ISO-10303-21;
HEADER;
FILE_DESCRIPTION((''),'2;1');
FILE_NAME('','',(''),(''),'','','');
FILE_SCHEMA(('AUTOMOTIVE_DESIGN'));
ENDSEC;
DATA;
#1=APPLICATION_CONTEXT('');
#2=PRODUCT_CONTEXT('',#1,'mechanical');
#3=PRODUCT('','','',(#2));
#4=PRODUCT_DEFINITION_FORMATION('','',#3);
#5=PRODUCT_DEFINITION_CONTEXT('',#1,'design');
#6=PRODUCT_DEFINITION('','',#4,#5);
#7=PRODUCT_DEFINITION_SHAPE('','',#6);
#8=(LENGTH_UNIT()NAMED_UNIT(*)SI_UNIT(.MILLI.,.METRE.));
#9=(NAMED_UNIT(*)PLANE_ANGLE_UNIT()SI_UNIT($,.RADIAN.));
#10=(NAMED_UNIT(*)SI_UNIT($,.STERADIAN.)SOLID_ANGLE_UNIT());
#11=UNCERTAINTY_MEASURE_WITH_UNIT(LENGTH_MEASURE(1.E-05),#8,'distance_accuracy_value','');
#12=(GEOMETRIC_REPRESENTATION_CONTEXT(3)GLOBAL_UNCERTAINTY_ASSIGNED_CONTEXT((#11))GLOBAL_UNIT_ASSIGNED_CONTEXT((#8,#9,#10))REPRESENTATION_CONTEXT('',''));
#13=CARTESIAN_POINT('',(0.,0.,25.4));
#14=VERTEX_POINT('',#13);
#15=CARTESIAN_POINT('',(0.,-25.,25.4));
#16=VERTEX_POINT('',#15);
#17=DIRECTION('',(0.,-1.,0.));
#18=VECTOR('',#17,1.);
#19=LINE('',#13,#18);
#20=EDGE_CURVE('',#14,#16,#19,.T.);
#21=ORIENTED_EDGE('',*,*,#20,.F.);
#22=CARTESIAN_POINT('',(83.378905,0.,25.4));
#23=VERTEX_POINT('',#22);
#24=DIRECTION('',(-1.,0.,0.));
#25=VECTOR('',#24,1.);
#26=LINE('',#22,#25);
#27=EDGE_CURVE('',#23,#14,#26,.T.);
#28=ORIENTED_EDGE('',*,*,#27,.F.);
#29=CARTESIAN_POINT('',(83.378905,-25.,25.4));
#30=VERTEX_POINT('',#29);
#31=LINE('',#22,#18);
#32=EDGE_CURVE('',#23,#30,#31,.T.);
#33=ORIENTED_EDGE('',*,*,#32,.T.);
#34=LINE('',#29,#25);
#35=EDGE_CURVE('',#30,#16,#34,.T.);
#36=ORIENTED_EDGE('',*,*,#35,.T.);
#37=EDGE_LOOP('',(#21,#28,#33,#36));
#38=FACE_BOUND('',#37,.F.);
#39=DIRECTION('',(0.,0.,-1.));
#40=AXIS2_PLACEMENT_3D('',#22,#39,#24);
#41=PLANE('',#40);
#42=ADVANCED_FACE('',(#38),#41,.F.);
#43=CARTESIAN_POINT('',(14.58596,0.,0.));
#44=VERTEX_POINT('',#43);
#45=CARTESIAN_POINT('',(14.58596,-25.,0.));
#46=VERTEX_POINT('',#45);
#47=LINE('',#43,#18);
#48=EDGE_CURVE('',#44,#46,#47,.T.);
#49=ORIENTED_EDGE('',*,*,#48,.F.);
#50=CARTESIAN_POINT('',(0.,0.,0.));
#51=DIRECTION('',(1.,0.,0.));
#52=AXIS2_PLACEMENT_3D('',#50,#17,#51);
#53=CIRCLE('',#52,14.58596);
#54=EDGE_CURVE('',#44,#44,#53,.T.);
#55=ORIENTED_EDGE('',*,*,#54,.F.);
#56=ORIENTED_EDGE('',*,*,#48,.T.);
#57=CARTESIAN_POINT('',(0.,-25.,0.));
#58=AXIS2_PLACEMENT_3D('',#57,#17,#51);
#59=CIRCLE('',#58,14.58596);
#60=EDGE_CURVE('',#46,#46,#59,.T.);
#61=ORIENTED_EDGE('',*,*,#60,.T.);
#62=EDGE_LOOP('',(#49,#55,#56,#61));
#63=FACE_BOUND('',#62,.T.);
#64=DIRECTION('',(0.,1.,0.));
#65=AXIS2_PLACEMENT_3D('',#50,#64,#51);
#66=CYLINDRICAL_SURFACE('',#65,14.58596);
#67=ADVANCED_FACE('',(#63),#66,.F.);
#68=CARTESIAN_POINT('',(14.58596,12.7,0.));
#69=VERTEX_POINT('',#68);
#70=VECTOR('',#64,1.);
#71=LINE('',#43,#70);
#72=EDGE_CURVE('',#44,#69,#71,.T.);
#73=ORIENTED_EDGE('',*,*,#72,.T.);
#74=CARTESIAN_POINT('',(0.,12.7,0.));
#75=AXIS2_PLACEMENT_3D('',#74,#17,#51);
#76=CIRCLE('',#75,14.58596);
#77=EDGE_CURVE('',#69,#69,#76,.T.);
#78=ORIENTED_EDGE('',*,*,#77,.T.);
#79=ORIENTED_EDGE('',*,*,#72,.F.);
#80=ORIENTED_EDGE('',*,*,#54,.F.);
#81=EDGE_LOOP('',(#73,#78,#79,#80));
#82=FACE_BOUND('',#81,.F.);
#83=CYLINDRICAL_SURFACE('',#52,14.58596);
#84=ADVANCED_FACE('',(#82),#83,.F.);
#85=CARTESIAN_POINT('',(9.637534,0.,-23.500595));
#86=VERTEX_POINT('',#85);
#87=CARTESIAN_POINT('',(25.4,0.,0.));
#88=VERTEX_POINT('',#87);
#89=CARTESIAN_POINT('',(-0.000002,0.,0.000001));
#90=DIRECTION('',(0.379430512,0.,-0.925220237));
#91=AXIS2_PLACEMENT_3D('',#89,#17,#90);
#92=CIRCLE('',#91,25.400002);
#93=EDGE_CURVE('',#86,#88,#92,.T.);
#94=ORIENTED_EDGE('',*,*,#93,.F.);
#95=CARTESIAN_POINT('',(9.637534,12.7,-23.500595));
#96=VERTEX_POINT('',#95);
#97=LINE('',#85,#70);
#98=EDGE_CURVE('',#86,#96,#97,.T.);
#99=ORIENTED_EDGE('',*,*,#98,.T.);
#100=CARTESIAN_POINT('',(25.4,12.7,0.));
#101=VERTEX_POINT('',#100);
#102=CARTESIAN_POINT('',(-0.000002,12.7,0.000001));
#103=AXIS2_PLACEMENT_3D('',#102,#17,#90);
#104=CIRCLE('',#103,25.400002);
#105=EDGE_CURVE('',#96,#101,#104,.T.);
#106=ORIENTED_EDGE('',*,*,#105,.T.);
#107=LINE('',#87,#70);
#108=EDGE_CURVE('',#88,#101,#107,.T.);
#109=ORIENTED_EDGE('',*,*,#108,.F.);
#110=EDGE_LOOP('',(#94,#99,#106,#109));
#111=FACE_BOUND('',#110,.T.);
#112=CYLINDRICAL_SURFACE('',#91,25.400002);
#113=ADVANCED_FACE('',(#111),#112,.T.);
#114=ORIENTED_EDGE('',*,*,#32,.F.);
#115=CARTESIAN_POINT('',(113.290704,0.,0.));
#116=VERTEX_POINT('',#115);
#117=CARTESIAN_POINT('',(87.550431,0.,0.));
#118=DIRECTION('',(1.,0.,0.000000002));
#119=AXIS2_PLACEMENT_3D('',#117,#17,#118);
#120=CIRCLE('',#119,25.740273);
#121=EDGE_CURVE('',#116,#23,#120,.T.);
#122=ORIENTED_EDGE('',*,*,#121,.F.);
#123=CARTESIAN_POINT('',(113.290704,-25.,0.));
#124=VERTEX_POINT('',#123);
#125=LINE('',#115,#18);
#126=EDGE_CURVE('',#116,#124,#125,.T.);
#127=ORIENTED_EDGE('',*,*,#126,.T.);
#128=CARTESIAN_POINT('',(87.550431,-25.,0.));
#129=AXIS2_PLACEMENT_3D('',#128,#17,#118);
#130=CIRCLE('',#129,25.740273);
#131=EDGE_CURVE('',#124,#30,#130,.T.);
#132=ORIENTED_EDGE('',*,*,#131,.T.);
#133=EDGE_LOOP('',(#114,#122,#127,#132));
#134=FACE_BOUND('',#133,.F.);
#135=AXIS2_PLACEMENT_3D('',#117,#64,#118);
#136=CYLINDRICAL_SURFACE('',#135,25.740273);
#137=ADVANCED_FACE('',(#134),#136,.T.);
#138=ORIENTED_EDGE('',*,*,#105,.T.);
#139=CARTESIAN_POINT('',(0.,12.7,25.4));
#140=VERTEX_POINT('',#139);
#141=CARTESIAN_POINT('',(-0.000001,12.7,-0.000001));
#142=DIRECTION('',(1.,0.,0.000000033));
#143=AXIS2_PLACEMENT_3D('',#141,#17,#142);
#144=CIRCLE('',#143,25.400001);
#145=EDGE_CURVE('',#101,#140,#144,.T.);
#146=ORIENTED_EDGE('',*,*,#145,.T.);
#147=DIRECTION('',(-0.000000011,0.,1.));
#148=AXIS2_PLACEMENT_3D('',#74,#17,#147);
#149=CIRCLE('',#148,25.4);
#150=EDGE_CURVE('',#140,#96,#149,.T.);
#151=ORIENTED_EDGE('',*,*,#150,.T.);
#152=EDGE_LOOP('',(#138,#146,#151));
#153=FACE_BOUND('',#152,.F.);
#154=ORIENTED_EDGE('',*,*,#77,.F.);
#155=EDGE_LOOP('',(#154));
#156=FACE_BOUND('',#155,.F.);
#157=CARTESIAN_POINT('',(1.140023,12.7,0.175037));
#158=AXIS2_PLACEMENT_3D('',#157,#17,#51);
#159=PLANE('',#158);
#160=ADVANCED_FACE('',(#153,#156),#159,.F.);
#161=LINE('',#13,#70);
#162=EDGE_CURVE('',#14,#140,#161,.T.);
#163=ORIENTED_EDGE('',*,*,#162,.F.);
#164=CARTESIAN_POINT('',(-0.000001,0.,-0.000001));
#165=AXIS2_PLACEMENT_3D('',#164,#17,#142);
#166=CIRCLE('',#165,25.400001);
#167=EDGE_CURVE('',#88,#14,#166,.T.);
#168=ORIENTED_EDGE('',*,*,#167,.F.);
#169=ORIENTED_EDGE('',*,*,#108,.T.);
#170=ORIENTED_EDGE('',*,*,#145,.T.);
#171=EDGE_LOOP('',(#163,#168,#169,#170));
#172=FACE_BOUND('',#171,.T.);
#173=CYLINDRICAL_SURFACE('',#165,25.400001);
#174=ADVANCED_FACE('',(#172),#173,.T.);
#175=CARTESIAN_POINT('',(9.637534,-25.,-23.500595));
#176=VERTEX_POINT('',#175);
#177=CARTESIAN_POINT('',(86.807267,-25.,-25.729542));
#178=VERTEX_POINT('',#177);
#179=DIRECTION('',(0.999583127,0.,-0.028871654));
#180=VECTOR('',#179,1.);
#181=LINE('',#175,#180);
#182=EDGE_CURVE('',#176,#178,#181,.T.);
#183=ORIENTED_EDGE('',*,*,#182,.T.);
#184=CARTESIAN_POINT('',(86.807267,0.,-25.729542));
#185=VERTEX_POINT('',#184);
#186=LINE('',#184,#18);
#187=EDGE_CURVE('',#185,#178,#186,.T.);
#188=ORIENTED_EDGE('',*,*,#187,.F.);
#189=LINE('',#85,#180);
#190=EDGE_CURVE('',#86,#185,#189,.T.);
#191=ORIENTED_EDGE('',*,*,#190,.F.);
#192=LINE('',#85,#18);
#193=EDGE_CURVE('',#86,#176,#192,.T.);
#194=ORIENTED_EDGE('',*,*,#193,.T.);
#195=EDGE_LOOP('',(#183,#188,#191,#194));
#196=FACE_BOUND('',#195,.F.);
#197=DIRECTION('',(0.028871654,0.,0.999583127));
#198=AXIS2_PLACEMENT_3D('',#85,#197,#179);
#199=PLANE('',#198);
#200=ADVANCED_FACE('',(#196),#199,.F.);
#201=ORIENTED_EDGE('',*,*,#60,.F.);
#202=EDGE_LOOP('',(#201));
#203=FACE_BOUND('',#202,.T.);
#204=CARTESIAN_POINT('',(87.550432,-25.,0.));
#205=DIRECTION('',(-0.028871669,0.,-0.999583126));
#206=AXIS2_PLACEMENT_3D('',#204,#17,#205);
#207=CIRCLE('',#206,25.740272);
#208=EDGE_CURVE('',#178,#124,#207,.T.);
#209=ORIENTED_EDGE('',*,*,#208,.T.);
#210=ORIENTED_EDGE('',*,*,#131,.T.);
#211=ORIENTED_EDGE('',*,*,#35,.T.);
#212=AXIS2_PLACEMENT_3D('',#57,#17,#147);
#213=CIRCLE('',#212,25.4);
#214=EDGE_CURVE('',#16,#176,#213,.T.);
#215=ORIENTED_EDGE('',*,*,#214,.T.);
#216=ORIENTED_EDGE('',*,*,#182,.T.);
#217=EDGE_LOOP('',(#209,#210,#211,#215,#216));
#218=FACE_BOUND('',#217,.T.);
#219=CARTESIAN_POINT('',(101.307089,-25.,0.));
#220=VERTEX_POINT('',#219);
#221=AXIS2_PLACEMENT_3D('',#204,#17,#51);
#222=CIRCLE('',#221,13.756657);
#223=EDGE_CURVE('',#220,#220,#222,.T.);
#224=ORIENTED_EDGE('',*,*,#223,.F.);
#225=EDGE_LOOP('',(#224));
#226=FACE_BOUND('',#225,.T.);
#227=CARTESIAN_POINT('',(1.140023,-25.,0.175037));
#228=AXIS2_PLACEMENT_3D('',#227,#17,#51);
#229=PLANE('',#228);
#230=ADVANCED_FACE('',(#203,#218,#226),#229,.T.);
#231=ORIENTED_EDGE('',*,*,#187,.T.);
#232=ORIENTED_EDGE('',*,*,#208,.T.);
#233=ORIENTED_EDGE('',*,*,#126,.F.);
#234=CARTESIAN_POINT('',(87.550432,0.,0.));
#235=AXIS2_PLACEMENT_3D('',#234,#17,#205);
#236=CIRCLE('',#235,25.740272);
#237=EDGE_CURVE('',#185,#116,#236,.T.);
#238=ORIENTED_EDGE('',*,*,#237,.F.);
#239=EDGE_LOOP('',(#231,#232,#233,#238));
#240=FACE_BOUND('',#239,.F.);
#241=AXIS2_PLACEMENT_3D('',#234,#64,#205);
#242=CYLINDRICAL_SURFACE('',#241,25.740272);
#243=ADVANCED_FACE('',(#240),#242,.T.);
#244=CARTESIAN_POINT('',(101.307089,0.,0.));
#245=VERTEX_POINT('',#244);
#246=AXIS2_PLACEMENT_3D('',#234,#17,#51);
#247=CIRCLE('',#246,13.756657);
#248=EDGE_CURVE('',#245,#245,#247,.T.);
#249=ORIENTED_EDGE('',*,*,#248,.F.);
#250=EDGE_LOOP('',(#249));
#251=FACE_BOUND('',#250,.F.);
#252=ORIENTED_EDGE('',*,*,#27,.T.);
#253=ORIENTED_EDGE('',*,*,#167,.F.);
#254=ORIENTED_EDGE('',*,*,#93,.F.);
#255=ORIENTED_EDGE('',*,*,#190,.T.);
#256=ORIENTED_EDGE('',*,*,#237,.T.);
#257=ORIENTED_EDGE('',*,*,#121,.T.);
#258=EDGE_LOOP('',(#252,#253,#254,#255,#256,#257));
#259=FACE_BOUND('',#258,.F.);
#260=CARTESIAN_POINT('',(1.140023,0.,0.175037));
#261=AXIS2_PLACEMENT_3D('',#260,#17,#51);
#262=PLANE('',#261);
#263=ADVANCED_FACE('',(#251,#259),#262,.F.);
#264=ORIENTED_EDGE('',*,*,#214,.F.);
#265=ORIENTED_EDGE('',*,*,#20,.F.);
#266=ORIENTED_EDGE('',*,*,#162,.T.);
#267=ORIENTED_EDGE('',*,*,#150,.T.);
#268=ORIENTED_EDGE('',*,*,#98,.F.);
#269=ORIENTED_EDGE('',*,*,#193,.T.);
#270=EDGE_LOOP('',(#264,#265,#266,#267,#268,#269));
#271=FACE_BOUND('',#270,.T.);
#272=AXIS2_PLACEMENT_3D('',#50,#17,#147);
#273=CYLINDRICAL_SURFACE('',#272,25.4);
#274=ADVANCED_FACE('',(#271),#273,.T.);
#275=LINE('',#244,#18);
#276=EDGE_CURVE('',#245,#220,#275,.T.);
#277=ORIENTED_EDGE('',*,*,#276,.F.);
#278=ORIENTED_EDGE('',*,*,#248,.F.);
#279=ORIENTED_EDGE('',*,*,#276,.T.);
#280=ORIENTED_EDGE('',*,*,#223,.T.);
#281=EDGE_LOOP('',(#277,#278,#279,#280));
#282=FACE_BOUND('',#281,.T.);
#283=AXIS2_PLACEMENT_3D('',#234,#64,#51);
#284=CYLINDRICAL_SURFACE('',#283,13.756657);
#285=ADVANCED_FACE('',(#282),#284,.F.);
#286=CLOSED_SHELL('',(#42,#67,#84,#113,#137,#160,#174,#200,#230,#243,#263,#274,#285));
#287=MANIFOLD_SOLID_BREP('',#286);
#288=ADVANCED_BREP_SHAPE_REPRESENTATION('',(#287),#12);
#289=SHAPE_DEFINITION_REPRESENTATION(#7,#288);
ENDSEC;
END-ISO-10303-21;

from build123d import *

# Parameters (mm, degrees)
F0_R     = 14.58596
F0_R_2   = 13.756657
F1_DEPTH = 25
F2_DEPTH = 12.7


with BuildPart() as f1:
    # F0 (on Front) → F1 (new body)
    with BuildSketch(Plane.XZ):
        with BuildLine():
            ThreePointArc((9.637534, -23.500595), (21.09447, -14.148616), (25.4, 0))
            ThreePointArc((25.4, 0), (17.960512, 17.960512), (0, 25.4))
            ThreePointArc((0, 25.4), (-24.920625, -4.911461), (9.637534, -23.500595))
        make_face()
        Circle(F0_R, mode=Mode.SUBTRACT)
        with BuildLine():
            ThreePointArc((0, 25.4), (17.960512, 17.960512), (25.4, 0))
            ThreePointArc((25.4, 0), (21.09447, -14.148616), (9.637534, -23.500595))
            Line((9.637534, -23.500595), (86.807267, -25.729542))
            ThreePointArc((86.807267, -25.729542), (61.867829, -1.722082), (83.378905, 25.4))
            Line((83.378905, 25.4), (0, 25.4))
        make_face()
        with BuildLine():
            ThreePointArc((113.290704, 0), (104.211545, 19.620625), (83.378905, 25.4))
            ThreePointArc((83.378905, 25.4), (61.867829, -1.722082), (86.807267, -25.729542))
            ThreePointArc((86.807267, -25.729542), (105.48688, -18.462), (113.290704, 0))
        make_face()
        with Locations((87.550432, 0)):
            Circle(F0_R_2, mode=Mode.SUBTRACT)
    extrude(amount=F1_DEPTH)

    # F0 (on Front) → F2 (join)
    with BuildSketch(Plane.XZ):
        with BuildLine():
            ThreePointArc((9.637534, -23.500595), (21.09447, -14.148616), (25.4, 0))
            ThreePointArc((25.4, 0), (17.960512, 17.960512), (0, 25.4))
            ThreePointArc((0, 25.4), (-24.920625, -4.911461), (9.637534, -23.500595))
        make_face()
        Circle(F0_R, mode=Mode.SUBTRACT)
    extrude(amount=-F2_DEPTH)


solid = f1.part
